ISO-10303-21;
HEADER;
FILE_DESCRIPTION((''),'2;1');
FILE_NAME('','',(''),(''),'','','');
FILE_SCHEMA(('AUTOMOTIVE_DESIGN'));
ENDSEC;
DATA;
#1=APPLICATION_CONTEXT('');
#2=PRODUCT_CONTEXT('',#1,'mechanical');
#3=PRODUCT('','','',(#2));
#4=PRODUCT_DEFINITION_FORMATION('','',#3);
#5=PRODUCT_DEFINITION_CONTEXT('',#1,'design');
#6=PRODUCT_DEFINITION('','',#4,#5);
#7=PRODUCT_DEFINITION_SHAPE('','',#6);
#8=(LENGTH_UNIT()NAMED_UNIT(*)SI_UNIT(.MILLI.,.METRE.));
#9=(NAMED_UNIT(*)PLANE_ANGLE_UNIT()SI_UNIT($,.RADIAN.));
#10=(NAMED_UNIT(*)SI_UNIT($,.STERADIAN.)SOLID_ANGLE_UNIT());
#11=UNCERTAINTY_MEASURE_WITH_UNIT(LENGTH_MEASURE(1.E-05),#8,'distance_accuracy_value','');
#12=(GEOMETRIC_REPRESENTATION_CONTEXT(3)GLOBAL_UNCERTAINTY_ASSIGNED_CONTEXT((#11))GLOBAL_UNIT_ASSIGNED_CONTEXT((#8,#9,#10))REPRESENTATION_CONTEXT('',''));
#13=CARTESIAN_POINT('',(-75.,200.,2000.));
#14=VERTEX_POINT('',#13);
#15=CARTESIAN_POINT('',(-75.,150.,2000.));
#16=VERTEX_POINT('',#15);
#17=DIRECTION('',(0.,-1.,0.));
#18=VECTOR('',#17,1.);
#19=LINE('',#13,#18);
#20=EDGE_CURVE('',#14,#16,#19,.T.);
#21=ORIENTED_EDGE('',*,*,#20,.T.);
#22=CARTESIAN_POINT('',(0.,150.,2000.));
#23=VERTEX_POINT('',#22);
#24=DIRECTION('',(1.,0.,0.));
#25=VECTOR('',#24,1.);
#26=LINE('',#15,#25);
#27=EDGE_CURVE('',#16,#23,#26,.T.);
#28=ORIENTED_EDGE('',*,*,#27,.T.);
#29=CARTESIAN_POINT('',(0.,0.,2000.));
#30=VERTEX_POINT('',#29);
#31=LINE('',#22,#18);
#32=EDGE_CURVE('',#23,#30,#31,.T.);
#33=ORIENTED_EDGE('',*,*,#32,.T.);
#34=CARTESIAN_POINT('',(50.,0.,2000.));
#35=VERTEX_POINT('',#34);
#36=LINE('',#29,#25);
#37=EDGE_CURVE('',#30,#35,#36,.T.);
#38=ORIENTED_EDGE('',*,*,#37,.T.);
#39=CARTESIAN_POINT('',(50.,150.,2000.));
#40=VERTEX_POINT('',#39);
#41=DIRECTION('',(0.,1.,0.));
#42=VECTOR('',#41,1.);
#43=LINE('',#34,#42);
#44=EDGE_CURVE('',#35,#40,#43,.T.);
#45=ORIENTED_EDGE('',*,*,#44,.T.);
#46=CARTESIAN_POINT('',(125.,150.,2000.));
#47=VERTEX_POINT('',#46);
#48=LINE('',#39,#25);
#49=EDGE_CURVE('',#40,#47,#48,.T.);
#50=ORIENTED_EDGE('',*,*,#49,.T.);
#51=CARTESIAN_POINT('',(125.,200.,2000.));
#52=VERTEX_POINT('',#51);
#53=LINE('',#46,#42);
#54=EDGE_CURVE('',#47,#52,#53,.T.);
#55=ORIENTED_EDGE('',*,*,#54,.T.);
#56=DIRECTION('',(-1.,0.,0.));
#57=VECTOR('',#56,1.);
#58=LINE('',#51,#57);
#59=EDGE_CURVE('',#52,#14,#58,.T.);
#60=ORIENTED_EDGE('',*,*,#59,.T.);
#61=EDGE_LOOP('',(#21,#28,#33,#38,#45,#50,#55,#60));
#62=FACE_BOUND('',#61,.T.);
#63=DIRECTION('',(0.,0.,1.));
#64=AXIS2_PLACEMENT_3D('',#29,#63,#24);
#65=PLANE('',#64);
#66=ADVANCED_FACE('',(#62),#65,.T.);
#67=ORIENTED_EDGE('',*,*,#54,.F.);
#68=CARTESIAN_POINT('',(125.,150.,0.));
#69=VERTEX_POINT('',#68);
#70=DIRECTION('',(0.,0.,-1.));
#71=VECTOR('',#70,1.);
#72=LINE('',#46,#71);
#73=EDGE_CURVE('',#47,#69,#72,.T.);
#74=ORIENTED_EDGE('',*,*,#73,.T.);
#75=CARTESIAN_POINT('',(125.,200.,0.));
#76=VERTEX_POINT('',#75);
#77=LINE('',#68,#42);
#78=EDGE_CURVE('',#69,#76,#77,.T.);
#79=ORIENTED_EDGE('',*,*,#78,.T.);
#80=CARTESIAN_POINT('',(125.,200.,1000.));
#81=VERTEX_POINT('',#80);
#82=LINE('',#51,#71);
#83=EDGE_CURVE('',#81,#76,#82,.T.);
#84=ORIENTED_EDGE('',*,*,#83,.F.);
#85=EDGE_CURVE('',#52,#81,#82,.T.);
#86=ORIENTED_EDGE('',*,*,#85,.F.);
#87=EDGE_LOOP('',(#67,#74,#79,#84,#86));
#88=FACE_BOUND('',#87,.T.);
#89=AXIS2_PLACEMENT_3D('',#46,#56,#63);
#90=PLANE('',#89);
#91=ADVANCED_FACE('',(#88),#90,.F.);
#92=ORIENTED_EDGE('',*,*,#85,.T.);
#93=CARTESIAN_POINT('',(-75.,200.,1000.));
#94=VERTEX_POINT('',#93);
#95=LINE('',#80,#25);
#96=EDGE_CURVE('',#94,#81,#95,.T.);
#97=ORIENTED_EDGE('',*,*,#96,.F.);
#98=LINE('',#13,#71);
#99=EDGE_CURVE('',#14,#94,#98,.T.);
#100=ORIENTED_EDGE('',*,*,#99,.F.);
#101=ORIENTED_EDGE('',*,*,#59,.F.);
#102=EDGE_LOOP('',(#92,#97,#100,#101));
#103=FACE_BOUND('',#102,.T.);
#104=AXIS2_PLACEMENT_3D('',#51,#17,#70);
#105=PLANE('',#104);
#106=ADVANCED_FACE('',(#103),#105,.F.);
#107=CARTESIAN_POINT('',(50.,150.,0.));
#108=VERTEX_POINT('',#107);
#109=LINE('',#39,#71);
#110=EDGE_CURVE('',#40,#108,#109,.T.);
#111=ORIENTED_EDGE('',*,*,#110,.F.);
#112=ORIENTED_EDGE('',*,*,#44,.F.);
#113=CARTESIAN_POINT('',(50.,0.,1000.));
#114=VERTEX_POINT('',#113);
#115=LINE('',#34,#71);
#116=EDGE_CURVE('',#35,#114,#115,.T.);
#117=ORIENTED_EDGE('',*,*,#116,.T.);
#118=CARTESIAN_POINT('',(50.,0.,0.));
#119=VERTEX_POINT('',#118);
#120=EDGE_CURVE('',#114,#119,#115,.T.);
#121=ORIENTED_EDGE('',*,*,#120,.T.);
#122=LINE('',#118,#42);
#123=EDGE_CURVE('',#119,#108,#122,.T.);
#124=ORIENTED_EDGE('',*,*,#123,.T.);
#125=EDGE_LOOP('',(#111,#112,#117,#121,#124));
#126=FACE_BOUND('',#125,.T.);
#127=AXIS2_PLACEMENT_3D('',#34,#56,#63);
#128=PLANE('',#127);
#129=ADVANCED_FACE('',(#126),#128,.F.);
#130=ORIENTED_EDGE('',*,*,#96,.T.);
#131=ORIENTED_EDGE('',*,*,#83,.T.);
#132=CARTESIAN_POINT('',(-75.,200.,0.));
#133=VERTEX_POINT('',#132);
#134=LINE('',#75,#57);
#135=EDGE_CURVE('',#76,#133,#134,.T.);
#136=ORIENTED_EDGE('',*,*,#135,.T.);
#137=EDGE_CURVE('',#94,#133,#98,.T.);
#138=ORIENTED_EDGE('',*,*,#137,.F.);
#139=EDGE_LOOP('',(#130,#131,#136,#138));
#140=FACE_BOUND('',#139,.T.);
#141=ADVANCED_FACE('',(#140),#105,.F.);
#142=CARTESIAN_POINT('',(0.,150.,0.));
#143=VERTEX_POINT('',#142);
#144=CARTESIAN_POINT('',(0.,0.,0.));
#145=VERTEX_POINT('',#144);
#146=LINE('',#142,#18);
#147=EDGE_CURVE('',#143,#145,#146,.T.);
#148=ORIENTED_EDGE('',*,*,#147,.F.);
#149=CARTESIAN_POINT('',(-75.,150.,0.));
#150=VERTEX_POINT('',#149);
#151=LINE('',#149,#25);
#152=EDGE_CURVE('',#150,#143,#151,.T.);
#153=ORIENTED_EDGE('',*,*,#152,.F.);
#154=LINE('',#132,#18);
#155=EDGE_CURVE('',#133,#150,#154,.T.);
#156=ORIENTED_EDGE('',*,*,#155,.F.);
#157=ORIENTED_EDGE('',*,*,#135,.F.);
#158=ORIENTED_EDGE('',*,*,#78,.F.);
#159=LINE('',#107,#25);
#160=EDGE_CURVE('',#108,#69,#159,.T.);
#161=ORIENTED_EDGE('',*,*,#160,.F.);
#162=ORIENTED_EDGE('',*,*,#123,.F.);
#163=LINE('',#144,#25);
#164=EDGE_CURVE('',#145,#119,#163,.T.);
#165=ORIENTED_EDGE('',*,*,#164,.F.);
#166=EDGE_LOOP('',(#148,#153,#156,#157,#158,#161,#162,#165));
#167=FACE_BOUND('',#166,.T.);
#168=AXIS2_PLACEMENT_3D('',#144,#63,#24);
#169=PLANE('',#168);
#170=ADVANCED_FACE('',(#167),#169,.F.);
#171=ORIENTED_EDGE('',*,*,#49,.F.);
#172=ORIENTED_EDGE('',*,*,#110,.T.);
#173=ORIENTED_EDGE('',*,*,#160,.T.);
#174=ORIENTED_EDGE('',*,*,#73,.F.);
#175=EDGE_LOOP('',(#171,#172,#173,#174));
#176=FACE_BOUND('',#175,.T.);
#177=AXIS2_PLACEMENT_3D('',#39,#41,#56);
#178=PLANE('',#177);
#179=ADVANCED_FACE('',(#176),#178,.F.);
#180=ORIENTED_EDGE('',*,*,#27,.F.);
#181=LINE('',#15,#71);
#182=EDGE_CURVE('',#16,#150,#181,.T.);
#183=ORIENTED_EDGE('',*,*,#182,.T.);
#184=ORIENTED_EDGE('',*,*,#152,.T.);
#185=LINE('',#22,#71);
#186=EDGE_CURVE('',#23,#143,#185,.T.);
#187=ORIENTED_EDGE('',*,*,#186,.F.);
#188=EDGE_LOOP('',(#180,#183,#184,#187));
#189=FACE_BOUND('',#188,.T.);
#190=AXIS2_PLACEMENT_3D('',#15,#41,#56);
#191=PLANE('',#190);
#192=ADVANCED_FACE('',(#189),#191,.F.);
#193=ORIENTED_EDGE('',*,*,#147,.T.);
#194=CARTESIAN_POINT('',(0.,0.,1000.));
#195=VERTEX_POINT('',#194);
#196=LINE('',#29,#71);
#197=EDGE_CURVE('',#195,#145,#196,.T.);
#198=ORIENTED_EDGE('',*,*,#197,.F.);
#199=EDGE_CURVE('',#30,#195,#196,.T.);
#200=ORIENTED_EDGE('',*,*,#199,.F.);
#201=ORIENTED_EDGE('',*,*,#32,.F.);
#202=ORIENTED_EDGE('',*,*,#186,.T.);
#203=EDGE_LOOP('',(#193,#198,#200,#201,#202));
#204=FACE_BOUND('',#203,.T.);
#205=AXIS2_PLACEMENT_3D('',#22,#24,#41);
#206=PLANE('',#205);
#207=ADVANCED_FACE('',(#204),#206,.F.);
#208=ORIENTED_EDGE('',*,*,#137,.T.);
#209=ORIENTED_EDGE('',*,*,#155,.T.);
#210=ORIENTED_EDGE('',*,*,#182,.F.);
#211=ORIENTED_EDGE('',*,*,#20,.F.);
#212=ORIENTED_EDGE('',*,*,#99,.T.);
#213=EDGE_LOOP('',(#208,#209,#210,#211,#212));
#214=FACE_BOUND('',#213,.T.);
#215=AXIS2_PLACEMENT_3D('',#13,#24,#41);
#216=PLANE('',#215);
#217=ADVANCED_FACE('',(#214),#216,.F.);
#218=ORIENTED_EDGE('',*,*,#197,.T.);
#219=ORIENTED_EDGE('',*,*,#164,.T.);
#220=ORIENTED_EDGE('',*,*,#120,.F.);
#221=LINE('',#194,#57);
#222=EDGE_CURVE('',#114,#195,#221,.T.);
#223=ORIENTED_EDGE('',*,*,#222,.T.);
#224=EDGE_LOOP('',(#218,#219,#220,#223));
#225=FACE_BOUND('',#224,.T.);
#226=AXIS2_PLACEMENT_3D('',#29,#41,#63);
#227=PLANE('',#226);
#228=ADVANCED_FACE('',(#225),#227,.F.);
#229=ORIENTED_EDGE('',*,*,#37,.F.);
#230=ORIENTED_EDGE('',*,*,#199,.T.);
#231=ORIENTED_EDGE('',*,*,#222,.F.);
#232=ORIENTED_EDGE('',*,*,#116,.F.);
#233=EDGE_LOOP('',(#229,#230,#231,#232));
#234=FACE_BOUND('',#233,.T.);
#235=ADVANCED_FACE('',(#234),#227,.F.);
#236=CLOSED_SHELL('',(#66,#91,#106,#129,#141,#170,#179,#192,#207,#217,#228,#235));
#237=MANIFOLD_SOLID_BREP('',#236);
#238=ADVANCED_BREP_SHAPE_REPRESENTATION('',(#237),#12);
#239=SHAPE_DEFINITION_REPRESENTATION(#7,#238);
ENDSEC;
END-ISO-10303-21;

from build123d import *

# Parameters (mm, degrees)
DODANIE_WYCI_GNI_CIE1_DEPTH = 2000


with BuildPart() as part:
    # Szkic1 → Dodanie-wyciągnięcie1 (new body)
    with BuildSketch(Plane.XY):
        Polygon((0, 0), (50, 0), (50, 150), (125, 150), (125, 200), (-75, 200), (-75, 150), (0, 150), align=None)
    extrude(amount=DODANIE_WYCI_GNI_CIE1_DEPTH)


solid = part.part
